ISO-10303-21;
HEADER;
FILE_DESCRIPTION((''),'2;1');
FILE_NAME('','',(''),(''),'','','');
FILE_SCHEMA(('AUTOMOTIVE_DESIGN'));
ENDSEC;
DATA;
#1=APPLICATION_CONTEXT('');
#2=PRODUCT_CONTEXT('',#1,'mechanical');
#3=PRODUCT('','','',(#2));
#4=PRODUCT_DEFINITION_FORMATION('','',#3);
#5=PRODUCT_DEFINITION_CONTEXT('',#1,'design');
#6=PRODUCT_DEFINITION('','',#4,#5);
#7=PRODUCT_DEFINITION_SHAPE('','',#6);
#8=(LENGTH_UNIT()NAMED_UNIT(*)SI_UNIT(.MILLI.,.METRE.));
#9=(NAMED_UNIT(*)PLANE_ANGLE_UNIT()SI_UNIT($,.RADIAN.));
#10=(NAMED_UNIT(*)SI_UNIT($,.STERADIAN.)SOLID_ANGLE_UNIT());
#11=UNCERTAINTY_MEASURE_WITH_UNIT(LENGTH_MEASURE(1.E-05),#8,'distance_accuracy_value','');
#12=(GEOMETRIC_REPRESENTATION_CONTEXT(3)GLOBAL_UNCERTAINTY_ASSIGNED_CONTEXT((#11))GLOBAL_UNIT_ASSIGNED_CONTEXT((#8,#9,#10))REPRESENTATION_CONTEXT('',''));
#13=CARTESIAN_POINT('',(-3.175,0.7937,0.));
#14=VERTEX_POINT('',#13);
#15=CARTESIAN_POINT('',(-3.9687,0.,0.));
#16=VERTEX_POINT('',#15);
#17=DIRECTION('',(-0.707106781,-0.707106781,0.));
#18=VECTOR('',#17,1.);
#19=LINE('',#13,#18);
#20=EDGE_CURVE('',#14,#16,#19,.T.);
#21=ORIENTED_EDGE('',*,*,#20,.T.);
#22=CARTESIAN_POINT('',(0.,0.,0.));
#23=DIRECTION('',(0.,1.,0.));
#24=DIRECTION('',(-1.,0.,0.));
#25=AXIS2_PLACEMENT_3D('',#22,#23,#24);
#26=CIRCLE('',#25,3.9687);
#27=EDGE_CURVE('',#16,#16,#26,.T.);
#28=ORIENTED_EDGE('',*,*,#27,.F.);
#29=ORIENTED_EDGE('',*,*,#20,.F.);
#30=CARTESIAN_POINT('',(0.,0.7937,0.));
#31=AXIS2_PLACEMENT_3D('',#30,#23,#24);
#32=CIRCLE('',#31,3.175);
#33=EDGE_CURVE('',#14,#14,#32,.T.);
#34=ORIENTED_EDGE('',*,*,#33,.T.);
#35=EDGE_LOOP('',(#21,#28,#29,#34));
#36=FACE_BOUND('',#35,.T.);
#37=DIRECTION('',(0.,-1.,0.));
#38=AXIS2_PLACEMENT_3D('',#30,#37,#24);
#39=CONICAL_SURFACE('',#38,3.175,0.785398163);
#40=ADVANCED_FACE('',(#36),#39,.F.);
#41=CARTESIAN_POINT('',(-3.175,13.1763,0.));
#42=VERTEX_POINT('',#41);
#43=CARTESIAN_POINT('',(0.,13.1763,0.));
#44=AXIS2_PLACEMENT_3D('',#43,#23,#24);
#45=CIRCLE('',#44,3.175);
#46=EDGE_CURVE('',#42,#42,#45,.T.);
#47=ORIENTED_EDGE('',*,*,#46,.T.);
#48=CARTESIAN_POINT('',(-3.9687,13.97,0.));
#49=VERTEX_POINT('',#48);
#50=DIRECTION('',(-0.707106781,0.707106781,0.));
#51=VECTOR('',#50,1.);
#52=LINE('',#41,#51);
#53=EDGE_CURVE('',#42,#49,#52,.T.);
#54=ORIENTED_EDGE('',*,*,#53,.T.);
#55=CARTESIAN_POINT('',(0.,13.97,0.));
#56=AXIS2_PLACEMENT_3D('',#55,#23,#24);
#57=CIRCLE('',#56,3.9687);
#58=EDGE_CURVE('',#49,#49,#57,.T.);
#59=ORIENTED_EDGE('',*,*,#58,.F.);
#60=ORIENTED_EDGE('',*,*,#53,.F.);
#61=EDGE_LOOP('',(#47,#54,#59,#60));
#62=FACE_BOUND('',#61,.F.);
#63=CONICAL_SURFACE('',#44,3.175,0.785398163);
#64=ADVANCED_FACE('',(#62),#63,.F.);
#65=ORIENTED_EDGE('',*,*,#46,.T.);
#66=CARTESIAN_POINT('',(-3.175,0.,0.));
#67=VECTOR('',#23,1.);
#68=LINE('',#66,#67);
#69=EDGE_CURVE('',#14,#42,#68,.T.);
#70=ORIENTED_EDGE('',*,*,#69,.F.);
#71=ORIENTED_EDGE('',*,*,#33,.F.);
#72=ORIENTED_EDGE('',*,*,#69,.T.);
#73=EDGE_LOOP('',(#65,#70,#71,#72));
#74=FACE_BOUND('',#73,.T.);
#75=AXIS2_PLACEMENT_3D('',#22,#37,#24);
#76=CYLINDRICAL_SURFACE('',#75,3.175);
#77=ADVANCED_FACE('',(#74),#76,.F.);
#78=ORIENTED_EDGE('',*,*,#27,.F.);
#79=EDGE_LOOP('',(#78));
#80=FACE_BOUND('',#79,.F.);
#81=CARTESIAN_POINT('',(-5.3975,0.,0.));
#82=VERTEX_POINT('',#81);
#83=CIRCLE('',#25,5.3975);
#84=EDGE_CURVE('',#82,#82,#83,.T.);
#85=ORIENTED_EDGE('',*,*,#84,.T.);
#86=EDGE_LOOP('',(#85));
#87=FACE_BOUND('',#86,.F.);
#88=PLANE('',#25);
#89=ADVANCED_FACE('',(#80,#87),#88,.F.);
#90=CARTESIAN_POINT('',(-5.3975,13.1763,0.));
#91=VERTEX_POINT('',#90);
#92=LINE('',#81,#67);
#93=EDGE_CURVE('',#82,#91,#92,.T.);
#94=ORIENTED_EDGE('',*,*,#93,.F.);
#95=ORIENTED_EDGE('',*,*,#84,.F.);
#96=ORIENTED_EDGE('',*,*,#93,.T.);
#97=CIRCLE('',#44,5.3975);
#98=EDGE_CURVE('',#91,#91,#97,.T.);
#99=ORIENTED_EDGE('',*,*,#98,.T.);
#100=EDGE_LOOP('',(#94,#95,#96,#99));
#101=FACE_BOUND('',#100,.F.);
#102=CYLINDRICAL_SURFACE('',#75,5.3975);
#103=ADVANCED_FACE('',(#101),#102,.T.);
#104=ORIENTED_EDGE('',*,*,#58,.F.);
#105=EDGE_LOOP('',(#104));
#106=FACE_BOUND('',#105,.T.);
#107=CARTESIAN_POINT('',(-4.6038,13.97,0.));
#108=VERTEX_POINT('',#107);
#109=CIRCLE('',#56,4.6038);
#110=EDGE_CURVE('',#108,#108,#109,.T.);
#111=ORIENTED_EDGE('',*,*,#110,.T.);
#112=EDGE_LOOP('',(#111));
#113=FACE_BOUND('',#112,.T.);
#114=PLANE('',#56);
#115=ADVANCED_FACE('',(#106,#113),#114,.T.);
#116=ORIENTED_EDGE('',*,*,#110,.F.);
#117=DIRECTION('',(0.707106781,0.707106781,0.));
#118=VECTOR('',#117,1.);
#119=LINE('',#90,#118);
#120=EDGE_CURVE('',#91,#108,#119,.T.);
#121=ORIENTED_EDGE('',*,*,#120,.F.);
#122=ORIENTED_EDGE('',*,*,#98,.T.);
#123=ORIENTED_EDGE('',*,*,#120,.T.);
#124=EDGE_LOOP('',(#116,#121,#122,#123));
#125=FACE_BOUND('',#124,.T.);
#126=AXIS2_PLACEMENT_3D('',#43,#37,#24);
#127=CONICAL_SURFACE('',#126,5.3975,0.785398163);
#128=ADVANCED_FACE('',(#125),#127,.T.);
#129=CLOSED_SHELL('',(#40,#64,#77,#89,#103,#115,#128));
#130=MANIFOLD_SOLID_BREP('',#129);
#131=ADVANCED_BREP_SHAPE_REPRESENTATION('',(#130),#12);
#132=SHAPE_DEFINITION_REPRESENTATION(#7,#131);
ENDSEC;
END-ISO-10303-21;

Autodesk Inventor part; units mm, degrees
ref_plane "YZ Plane" through (0, 0, 0) normal (1, 0, 0) x (0, 1, 0)
ref_plane "XZ Plane" through (0, 0, 0) normal (0, 1, 0) x (-1, 0, 0)
ref_plane "XY Plane" through (0, 0, 0) normal (0, 0, 1) x (1, 0, 0)
sketch "Sketch1" plane through (0, 0, 0) normal (0, 1, 0) x (-1, 0, 0)
  circle A0 centre (0, 0) radius 3.175
  circle A1 centre (0, 0) radius 5.3975
  dimension "d0" = 6.35
  dimension "d1" = 10.795
extrude "Extrusion1" add sketch "Sketch1" along normal blind 13.97
chamfer "Chamfer1" distance 0.7937 angle 45 3 edges at (3.175, 13.97, 0) (5.3975, 13.97, 0) (3.175, 0, 0)
properties part number "alignspring"
